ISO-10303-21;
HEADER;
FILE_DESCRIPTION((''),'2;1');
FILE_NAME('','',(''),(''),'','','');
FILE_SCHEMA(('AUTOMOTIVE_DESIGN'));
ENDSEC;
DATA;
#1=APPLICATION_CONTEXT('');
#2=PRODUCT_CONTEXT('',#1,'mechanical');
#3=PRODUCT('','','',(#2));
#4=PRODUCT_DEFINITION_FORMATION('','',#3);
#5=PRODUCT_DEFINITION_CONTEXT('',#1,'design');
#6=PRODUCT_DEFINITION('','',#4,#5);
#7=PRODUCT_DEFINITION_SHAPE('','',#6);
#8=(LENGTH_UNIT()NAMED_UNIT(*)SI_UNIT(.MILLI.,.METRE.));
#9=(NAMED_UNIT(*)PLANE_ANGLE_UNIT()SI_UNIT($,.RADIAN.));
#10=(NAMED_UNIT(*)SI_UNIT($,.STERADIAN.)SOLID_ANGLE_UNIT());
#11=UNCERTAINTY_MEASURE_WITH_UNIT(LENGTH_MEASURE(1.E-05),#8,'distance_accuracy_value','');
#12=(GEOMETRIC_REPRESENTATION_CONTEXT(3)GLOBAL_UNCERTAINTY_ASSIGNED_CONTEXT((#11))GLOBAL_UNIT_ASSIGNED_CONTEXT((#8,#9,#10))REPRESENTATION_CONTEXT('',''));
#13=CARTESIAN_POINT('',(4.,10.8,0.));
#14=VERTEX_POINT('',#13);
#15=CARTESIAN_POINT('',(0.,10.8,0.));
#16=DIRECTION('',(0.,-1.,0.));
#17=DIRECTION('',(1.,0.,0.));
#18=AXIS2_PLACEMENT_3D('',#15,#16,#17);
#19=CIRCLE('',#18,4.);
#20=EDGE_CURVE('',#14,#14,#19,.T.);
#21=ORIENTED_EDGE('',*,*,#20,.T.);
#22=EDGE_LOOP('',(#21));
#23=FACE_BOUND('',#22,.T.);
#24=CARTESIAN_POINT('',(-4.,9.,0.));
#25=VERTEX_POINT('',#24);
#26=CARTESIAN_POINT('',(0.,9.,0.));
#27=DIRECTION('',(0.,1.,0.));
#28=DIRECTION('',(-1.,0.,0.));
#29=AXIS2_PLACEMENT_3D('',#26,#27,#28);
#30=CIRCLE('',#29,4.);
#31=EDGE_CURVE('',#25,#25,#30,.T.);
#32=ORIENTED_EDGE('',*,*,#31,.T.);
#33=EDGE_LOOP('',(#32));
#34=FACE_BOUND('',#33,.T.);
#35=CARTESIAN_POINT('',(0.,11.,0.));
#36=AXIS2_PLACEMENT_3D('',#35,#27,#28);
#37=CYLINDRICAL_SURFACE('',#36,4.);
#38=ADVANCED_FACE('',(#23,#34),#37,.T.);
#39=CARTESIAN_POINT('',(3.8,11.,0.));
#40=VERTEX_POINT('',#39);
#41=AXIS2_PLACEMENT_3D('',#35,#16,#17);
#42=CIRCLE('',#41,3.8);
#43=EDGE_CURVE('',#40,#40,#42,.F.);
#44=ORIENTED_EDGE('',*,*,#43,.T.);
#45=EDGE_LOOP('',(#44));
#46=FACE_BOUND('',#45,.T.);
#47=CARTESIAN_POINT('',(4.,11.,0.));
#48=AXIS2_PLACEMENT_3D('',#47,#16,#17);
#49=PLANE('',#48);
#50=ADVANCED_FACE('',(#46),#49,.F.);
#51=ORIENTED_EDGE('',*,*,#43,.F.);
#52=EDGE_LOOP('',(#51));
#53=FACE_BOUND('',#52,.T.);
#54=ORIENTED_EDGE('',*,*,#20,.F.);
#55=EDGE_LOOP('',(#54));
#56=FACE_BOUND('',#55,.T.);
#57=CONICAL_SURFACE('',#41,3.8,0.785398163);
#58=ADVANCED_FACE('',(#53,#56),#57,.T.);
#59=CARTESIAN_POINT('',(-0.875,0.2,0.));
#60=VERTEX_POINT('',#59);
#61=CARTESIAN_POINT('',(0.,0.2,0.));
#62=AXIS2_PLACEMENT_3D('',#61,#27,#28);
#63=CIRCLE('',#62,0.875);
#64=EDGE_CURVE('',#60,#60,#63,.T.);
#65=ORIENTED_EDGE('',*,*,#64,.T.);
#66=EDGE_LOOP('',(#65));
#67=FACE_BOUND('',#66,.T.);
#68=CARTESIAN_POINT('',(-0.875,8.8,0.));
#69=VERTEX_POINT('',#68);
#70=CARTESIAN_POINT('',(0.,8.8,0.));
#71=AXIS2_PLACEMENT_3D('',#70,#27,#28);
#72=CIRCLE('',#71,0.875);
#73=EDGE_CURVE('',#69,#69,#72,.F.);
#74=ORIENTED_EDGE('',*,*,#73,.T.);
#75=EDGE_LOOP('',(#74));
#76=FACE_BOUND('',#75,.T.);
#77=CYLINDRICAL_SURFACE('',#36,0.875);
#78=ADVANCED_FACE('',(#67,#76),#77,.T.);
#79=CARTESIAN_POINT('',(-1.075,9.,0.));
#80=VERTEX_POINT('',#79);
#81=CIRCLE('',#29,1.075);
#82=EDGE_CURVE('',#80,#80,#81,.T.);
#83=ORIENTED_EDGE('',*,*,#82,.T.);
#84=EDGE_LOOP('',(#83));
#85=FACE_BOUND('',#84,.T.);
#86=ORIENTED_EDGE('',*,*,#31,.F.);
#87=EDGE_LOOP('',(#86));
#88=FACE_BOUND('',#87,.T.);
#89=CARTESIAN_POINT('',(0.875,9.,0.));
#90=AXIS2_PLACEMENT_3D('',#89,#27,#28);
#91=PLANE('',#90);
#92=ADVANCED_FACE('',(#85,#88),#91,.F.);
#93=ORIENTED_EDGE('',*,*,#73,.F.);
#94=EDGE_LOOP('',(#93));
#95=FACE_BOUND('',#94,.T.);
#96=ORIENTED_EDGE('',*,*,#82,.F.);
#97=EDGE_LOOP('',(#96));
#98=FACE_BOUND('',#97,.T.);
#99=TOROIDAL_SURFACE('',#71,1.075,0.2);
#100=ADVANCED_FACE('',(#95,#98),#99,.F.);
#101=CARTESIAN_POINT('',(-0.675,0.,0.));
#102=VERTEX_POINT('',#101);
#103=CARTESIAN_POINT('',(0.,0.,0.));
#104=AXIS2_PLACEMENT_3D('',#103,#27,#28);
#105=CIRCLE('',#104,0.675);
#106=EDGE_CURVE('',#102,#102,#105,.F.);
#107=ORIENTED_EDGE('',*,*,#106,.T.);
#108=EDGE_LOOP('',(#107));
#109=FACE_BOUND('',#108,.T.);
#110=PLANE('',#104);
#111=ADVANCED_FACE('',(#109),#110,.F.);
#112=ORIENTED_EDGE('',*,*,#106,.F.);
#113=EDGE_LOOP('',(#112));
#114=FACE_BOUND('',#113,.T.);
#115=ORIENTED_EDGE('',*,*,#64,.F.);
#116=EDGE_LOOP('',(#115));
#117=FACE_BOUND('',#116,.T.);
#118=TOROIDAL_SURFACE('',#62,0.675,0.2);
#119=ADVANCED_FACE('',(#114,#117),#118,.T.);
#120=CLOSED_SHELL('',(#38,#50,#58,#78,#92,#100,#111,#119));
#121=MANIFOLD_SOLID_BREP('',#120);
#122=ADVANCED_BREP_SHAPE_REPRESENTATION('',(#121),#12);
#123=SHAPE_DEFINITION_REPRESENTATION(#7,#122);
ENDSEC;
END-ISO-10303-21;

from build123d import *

# Parameters (mm, degrees)
FILLET1_R     = 0.2
CHAMFER1_SIZE = 0.2


with BuildPart() as part:
    # Sketch2 → Revolve1 (revolve)
    with BuildSketch(Plane.XY):
        Polygon((0, 0), (0.875, 0), (0.875, 9), (4, 9), (4, 11), (0, 11), align=None)
    revolve(axis=Axis((0, 11, 0), (0, -1, 0)))

    # Fillet1
    fillet1_edges = [part.edges().sort_by_distance(p)[0] for p in [
        (-0.875, 9, 0),
        (-0.875, 0, 0),
    ]]
    fillet(fillet1_edges, radius=FILLET1_R)

    # Chamfer1
    chamfer1_edges = [part.edges().sort_by_distance(p)[0] for p in [
        (-4, 11, 0),
    ]]
    chamfer(chamfer1_edges, length=CHAMFER1_SIZE)


solid = part.part
